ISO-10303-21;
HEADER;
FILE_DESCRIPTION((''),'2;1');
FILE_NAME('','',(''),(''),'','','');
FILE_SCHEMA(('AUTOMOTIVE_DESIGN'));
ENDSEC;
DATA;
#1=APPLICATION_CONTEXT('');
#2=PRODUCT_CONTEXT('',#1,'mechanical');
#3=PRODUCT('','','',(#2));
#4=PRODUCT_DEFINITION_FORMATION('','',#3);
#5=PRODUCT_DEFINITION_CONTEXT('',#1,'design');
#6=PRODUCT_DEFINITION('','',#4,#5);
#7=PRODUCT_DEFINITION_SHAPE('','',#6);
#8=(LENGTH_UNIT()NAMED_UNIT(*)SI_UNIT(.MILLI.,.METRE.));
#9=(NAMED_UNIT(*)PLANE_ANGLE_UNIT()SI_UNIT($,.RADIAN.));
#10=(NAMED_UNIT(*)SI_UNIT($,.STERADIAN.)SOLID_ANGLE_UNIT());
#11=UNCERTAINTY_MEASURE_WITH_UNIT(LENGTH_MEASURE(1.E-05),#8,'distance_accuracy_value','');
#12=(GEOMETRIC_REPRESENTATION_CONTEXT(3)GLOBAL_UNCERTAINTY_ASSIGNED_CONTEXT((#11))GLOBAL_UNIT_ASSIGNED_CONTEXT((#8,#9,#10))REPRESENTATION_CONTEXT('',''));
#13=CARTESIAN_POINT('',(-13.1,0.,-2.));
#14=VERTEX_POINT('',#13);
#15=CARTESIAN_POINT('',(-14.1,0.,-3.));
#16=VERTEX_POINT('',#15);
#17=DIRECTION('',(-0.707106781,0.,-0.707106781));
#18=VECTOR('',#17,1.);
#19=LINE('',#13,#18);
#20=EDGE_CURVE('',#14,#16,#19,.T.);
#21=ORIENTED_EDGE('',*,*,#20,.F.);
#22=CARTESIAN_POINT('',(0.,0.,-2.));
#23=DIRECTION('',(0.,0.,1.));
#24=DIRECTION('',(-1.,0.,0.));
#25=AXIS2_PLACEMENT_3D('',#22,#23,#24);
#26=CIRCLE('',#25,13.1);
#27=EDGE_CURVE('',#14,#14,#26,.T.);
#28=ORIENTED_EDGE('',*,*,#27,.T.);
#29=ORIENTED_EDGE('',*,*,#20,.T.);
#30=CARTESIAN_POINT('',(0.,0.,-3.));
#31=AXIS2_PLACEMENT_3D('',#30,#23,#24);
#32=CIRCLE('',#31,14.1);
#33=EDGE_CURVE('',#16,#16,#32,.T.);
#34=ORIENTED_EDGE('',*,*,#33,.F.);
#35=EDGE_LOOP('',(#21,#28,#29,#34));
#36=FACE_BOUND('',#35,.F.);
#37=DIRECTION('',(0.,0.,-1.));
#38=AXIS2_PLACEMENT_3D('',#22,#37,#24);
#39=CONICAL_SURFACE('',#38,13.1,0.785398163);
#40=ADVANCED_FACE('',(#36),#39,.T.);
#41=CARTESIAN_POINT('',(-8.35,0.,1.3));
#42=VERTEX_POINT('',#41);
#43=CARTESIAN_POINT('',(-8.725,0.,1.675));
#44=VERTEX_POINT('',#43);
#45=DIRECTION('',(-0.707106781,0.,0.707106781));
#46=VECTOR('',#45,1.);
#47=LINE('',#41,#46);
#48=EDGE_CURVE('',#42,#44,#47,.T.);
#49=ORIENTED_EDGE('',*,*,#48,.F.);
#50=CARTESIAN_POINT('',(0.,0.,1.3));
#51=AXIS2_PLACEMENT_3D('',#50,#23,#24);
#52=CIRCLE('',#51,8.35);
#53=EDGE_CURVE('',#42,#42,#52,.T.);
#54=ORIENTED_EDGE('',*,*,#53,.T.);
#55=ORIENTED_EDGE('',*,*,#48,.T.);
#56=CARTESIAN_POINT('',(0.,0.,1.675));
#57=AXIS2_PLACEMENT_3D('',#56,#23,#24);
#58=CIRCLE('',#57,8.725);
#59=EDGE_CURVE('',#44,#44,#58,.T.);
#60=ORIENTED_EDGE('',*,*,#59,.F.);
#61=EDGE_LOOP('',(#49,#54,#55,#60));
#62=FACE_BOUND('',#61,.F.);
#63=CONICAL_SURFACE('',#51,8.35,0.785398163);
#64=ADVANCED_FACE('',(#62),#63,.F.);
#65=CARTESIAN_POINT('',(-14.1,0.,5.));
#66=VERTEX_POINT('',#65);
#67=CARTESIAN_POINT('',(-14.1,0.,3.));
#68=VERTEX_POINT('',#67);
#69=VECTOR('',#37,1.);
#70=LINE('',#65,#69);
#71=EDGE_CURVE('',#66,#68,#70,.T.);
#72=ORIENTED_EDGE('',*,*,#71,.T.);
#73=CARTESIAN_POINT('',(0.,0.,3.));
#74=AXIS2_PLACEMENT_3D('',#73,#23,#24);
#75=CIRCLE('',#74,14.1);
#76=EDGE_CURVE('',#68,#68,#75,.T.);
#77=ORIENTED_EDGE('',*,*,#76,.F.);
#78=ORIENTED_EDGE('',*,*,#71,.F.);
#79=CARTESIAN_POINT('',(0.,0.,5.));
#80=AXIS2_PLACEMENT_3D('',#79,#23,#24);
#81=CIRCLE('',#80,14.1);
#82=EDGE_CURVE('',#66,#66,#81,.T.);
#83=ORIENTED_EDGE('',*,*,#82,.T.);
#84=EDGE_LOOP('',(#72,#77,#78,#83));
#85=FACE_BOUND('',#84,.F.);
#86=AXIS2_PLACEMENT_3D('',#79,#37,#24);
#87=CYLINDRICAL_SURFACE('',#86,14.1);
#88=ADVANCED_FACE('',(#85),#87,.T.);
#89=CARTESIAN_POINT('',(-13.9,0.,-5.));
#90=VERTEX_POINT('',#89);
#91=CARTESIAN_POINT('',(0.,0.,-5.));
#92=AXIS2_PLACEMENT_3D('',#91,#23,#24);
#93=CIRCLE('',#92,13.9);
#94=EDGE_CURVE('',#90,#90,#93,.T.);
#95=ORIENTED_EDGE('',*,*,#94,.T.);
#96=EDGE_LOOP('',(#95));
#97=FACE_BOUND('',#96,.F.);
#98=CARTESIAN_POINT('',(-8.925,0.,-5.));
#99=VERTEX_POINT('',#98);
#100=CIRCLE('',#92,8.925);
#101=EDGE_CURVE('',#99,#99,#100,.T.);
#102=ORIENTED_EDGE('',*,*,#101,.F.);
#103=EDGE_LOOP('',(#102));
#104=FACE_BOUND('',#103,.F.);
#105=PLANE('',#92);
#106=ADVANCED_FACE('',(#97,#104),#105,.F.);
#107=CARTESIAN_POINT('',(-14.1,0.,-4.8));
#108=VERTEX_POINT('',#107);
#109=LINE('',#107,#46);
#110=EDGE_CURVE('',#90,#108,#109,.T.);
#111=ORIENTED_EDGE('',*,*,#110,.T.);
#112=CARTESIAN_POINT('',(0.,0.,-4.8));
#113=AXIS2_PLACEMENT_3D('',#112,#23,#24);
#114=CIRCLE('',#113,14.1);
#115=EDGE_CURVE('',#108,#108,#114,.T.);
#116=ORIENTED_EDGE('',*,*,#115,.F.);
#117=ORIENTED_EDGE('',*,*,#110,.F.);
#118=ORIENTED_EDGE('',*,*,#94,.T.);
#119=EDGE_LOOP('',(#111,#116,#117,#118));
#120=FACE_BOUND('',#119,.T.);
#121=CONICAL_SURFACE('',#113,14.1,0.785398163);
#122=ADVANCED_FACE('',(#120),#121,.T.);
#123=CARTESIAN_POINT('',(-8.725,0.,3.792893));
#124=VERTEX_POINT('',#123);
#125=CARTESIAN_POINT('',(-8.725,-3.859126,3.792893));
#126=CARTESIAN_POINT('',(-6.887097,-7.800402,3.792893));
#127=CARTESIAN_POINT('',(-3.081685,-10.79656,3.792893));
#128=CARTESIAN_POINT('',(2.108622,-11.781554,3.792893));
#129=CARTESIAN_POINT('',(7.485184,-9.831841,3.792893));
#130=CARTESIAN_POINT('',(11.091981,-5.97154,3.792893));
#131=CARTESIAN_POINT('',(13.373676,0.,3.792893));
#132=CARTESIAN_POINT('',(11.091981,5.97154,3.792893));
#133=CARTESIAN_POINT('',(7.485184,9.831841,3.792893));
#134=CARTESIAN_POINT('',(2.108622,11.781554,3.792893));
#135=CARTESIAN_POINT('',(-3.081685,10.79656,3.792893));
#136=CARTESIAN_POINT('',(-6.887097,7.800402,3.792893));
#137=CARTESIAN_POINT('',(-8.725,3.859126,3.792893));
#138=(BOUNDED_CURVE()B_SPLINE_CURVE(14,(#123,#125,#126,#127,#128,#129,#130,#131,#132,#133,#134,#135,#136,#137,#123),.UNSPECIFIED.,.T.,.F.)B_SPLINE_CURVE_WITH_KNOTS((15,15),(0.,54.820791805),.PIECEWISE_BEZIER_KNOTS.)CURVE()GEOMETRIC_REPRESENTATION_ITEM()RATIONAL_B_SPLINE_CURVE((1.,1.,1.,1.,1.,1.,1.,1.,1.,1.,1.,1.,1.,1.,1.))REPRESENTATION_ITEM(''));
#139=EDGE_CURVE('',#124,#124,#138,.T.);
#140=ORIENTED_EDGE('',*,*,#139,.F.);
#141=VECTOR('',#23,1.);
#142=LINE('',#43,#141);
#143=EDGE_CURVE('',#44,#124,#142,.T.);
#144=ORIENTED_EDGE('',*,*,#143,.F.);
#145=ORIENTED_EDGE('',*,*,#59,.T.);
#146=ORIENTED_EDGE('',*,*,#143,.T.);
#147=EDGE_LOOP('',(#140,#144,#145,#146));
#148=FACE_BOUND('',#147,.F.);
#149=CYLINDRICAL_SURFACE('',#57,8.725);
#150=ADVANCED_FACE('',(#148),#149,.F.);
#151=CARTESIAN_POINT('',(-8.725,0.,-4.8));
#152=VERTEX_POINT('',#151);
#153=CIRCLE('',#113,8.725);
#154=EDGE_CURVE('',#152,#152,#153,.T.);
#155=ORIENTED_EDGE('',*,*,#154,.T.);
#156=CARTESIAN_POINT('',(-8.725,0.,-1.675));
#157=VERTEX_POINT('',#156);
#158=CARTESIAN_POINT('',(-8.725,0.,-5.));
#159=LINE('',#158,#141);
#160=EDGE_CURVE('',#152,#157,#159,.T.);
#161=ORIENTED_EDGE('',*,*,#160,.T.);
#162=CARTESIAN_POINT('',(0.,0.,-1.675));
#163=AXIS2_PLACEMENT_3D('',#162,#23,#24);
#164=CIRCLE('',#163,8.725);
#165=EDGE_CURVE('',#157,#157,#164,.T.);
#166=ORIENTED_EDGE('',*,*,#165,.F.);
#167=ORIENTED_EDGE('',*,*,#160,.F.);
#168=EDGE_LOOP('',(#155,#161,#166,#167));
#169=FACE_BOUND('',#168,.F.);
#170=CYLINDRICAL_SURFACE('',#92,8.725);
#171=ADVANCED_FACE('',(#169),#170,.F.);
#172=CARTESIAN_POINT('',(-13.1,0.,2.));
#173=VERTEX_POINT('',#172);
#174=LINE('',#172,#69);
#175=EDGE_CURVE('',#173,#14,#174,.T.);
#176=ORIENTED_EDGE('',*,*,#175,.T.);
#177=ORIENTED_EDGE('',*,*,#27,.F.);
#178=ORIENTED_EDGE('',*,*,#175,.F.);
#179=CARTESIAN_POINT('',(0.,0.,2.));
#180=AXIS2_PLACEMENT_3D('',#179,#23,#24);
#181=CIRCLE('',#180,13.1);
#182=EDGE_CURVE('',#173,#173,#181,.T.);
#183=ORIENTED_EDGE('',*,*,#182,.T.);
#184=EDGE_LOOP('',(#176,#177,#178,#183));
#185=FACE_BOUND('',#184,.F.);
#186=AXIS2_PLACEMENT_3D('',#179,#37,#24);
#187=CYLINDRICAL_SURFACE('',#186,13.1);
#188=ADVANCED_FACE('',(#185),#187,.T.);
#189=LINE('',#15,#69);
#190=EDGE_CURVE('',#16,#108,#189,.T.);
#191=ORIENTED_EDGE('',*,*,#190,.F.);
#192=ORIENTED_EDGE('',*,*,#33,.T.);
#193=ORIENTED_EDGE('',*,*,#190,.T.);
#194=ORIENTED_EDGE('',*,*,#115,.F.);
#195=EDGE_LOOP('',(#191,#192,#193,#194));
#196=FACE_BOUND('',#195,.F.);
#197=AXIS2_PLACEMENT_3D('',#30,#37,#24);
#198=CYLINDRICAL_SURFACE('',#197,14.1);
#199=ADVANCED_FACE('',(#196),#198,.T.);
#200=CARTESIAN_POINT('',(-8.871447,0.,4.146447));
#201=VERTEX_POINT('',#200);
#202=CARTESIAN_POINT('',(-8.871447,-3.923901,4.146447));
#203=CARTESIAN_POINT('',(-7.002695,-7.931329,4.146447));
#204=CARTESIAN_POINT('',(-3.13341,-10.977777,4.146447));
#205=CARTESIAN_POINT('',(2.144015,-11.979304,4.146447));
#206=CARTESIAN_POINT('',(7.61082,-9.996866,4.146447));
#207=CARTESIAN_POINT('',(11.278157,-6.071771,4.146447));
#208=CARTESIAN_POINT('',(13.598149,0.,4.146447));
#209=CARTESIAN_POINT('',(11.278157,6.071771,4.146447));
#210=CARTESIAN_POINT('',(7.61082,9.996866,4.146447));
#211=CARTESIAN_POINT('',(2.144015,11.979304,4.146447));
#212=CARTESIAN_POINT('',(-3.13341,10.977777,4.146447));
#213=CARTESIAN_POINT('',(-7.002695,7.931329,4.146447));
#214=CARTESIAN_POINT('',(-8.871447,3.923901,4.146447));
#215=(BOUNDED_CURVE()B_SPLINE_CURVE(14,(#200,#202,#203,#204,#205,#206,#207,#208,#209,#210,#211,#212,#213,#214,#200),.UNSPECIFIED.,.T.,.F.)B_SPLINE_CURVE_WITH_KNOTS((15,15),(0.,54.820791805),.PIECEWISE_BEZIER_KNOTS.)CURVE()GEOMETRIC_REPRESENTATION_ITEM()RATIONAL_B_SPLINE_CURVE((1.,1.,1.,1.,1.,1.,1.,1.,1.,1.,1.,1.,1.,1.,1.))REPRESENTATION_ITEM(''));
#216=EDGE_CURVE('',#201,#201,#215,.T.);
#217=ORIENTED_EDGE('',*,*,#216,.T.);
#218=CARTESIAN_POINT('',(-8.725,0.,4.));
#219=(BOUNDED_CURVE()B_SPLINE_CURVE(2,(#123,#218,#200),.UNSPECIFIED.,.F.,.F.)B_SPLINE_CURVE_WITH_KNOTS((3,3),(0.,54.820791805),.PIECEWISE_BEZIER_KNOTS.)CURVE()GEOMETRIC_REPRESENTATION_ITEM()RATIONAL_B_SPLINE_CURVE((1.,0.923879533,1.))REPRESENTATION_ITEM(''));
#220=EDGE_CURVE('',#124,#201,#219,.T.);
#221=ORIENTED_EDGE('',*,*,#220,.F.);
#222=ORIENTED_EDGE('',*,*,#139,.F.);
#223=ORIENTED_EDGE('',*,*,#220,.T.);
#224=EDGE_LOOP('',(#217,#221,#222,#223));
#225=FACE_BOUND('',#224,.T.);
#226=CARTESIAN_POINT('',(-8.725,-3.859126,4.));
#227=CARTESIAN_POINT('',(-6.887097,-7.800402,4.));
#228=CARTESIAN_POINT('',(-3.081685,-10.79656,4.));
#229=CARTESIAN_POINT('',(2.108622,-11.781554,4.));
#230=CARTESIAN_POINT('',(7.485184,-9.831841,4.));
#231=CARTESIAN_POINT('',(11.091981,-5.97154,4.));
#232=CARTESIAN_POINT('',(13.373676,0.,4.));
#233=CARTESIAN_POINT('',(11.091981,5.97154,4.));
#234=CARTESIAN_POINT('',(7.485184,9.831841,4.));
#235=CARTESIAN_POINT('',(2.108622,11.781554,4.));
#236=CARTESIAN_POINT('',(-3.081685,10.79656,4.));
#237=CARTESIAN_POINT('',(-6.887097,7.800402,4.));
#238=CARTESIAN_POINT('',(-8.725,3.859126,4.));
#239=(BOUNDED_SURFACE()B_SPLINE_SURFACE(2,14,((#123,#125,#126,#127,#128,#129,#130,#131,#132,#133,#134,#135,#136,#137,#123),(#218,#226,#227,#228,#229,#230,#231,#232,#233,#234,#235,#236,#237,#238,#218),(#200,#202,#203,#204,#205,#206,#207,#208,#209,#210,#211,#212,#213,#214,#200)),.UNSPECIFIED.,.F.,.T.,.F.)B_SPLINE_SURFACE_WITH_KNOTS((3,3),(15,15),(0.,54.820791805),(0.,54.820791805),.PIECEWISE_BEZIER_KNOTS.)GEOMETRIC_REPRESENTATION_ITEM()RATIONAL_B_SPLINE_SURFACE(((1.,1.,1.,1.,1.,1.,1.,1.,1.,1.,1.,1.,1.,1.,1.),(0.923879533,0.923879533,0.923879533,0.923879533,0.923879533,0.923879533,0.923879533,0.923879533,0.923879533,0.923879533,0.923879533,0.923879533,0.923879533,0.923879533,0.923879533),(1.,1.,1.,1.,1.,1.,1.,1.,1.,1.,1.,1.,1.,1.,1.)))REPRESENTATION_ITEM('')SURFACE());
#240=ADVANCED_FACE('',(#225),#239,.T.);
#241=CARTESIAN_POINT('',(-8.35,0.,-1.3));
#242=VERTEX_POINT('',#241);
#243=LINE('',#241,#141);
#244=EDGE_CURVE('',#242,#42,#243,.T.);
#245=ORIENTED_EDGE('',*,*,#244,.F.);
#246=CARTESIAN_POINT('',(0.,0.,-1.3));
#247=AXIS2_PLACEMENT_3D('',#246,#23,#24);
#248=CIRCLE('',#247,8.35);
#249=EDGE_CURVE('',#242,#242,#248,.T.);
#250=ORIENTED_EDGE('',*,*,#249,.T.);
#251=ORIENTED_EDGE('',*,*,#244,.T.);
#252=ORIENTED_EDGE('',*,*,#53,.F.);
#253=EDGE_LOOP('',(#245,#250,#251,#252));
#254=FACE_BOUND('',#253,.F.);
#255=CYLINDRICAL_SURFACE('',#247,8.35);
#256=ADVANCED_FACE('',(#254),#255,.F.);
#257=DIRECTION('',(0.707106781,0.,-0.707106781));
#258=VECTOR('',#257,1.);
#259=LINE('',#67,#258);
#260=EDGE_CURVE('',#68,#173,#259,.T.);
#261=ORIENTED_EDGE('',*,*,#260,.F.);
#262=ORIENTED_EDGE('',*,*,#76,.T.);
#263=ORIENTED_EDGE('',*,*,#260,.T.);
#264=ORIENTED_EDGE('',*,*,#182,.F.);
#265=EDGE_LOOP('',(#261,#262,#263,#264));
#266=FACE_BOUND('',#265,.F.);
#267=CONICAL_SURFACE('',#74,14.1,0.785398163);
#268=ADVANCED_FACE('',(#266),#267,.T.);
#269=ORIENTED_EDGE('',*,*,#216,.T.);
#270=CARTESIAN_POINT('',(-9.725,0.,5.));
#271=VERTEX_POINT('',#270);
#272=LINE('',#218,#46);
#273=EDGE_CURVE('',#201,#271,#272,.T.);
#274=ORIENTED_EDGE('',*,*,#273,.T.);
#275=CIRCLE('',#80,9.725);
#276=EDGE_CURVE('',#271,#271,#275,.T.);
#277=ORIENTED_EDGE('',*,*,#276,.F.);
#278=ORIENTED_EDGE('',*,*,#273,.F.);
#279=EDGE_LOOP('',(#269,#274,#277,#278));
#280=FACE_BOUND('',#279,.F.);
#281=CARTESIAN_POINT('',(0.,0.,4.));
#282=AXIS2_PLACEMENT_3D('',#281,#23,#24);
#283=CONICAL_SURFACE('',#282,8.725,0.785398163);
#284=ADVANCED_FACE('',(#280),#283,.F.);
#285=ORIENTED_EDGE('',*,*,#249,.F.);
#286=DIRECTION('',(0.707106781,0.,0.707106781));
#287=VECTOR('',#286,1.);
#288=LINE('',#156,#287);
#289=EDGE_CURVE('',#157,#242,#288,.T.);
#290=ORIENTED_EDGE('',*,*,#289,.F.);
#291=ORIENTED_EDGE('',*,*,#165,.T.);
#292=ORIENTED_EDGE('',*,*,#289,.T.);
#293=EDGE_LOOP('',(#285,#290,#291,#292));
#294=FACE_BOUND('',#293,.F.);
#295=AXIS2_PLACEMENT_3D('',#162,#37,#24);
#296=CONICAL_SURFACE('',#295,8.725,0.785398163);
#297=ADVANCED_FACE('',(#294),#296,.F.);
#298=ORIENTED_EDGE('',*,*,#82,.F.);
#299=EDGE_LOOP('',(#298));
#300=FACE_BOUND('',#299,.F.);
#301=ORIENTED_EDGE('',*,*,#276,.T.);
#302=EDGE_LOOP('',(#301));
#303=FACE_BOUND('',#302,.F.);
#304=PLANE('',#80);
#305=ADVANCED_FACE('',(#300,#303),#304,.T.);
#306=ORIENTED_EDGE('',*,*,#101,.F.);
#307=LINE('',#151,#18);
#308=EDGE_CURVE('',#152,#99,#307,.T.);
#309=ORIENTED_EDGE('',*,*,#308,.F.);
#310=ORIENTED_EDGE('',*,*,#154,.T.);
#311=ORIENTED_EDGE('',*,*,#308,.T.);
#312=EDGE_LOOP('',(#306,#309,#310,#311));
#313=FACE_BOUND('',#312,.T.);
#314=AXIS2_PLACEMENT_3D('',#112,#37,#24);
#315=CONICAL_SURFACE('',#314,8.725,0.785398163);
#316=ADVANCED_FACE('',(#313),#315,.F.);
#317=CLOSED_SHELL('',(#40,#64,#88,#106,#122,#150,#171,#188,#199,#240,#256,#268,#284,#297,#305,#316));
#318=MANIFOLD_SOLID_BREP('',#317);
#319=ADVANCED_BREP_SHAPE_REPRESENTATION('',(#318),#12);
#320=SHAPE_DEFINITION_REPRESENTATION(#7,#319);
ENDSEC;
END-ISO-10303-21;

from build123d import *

# Parameters (mm, degrees)
F2_SIZE = 1
F3_R    = 0.5
F4_SIZE = 0.2


with BuildPart() as f1:
    # F0 (on Front) → F1 (revolve)
    with BuildSketch(Plane.XZ):
        Polygon((-8.35, -1.3), (-8.35, 0), (-8.35, 1.3), (-8.725, 1.675), (-8.725, 5), (-14.1, 5), (-14.1, 3), (-13.1, 2), (-13.1, 0), (-13.1, -2), (-14.1, -3), (-14.1, -5), (-8.725, -5), (-8.725, -1.675), align=None)
    revolve(axis=Axis((0, 0, 7.7657741494), (0, 0, 1)))

    # F2
    f2_edges = [f1.edges().sort_by_distance(p)[0] for p in [
        (8.725, 0, 5),
    ]]
    chamfer(f2_edges, length=F2_SIZE)

    # F3
    f3_edges = [f1.edges().sort_by_distance(p)[0] for p in [
        (8.725, 0, 4),
    ]]
    fillet(f3_edges, radius=F3_R)

    # F4
    f4_edges = [f1.edges().sort_by_distance(p)[0] for p in [
        (14.1, 0, -5),
        (8.725, 0, -5),
    ]]
    chamfer(f4_edges, length=F4_SIZE)


solid = f1.part
